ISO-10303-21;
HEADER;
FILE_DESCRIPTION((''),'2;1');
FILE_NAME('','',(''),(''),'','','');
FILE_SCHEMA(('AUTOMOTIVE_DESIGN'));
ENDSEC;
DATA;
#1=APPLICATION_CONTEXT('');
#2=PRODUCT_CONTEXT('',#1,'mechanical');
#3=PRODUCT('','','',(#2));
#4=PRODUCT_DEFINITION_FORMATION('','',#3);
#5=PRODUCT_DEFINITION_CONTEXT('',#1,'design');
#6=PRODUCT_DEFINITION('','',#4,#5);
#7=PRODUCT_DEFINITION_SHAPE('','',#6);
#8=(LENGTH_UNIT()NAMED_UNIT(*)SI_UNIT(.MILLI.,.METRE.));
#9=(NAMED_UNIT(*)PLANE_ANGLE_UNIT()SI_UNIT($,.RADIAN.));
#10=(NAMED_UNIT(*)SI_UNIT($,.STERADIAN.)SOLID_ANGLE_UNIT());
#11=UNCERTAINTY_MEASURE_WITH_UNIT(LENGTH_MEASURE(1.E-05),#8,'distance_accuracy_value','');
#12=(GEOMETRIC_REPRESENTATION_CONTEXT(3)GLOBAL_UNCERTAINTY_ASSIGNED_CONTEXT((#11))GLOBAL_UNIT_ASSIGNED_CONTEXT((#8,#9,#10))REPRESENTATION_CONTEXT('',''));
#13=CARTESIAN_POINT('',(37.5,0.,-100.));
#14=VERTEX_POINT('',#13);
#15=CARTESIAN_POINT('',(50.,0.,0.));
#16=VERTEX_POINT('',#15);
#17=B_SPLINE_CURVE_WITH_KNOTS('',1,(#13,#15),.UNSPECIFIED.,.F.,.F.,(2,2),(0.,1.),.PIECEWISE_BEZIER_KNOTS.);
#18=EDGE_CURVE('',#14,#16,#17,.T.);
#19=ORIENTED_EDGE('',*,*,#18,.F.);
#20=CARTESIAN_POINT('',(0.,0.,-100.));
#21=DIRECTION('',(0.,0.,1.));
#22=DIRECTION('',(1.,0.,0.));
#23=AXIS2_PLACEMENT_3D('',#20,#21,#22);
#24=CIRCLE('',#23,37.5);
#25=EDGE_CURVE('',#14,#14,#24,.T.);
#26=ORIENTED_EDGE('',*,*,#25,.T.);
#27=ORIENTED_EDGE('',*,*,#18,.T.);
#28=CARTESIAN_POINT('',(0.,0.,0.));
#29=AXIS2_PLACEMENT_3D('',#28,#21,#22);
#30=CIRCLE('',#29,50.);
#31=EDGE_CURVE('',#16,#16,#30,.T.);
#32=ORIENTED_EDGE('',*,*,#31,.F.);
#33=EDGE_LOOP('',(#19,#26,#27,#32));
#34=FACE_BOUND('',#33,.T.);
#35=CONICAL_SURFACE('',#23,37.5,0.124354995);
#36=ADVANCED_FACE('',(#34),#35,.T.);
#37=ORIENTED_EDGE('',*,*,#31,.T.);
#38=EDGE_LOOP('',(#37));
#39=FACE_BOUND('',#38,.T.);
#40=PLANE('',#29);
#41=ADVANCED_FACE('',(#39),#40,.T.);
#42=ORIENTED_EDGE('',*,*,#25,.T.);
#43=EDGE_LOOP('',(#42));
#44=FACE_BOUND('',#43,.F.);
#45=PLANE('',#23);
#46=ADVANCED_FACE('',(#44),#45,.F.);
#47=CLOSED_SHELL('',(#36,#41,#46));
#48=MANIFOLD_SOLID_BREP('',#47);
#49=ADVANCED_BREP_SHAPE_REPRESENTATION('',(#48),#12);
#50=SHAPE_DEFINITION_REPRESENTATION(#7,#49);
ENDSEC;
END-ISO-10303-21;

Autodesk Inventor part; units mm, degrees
ref_plane "YZ Plane" through (0, 0, 0) normal (1, 0, 0) x (0, 1, 0)
ref_plane "XZ Plane" through (0, 0, 0) normal (0, 1, 0) x (-1, 0, 0)
sketch "Esboço1" plane through (0, 0, 0) normal (0, 0, 1) x (1, 0, 0)
  circle A0 centre (0, 0) radius 50
  dimension "d0" = 100
ref_plane "Plano de trabalho1" through (0, 0, -100) normal (0, 0, 1) x (1, 0, 0)
sketch "Esboço2" plane through (0, 0, -100) normal (0, 0, 1) x (1, 0, 0)
  circle A0 centre (0, 0) radius 37.5
  dimension "d2" = 75
loft "Transição1" add profiles "Esboço2", "Esboço1"
properties part number "peca_005_001"
